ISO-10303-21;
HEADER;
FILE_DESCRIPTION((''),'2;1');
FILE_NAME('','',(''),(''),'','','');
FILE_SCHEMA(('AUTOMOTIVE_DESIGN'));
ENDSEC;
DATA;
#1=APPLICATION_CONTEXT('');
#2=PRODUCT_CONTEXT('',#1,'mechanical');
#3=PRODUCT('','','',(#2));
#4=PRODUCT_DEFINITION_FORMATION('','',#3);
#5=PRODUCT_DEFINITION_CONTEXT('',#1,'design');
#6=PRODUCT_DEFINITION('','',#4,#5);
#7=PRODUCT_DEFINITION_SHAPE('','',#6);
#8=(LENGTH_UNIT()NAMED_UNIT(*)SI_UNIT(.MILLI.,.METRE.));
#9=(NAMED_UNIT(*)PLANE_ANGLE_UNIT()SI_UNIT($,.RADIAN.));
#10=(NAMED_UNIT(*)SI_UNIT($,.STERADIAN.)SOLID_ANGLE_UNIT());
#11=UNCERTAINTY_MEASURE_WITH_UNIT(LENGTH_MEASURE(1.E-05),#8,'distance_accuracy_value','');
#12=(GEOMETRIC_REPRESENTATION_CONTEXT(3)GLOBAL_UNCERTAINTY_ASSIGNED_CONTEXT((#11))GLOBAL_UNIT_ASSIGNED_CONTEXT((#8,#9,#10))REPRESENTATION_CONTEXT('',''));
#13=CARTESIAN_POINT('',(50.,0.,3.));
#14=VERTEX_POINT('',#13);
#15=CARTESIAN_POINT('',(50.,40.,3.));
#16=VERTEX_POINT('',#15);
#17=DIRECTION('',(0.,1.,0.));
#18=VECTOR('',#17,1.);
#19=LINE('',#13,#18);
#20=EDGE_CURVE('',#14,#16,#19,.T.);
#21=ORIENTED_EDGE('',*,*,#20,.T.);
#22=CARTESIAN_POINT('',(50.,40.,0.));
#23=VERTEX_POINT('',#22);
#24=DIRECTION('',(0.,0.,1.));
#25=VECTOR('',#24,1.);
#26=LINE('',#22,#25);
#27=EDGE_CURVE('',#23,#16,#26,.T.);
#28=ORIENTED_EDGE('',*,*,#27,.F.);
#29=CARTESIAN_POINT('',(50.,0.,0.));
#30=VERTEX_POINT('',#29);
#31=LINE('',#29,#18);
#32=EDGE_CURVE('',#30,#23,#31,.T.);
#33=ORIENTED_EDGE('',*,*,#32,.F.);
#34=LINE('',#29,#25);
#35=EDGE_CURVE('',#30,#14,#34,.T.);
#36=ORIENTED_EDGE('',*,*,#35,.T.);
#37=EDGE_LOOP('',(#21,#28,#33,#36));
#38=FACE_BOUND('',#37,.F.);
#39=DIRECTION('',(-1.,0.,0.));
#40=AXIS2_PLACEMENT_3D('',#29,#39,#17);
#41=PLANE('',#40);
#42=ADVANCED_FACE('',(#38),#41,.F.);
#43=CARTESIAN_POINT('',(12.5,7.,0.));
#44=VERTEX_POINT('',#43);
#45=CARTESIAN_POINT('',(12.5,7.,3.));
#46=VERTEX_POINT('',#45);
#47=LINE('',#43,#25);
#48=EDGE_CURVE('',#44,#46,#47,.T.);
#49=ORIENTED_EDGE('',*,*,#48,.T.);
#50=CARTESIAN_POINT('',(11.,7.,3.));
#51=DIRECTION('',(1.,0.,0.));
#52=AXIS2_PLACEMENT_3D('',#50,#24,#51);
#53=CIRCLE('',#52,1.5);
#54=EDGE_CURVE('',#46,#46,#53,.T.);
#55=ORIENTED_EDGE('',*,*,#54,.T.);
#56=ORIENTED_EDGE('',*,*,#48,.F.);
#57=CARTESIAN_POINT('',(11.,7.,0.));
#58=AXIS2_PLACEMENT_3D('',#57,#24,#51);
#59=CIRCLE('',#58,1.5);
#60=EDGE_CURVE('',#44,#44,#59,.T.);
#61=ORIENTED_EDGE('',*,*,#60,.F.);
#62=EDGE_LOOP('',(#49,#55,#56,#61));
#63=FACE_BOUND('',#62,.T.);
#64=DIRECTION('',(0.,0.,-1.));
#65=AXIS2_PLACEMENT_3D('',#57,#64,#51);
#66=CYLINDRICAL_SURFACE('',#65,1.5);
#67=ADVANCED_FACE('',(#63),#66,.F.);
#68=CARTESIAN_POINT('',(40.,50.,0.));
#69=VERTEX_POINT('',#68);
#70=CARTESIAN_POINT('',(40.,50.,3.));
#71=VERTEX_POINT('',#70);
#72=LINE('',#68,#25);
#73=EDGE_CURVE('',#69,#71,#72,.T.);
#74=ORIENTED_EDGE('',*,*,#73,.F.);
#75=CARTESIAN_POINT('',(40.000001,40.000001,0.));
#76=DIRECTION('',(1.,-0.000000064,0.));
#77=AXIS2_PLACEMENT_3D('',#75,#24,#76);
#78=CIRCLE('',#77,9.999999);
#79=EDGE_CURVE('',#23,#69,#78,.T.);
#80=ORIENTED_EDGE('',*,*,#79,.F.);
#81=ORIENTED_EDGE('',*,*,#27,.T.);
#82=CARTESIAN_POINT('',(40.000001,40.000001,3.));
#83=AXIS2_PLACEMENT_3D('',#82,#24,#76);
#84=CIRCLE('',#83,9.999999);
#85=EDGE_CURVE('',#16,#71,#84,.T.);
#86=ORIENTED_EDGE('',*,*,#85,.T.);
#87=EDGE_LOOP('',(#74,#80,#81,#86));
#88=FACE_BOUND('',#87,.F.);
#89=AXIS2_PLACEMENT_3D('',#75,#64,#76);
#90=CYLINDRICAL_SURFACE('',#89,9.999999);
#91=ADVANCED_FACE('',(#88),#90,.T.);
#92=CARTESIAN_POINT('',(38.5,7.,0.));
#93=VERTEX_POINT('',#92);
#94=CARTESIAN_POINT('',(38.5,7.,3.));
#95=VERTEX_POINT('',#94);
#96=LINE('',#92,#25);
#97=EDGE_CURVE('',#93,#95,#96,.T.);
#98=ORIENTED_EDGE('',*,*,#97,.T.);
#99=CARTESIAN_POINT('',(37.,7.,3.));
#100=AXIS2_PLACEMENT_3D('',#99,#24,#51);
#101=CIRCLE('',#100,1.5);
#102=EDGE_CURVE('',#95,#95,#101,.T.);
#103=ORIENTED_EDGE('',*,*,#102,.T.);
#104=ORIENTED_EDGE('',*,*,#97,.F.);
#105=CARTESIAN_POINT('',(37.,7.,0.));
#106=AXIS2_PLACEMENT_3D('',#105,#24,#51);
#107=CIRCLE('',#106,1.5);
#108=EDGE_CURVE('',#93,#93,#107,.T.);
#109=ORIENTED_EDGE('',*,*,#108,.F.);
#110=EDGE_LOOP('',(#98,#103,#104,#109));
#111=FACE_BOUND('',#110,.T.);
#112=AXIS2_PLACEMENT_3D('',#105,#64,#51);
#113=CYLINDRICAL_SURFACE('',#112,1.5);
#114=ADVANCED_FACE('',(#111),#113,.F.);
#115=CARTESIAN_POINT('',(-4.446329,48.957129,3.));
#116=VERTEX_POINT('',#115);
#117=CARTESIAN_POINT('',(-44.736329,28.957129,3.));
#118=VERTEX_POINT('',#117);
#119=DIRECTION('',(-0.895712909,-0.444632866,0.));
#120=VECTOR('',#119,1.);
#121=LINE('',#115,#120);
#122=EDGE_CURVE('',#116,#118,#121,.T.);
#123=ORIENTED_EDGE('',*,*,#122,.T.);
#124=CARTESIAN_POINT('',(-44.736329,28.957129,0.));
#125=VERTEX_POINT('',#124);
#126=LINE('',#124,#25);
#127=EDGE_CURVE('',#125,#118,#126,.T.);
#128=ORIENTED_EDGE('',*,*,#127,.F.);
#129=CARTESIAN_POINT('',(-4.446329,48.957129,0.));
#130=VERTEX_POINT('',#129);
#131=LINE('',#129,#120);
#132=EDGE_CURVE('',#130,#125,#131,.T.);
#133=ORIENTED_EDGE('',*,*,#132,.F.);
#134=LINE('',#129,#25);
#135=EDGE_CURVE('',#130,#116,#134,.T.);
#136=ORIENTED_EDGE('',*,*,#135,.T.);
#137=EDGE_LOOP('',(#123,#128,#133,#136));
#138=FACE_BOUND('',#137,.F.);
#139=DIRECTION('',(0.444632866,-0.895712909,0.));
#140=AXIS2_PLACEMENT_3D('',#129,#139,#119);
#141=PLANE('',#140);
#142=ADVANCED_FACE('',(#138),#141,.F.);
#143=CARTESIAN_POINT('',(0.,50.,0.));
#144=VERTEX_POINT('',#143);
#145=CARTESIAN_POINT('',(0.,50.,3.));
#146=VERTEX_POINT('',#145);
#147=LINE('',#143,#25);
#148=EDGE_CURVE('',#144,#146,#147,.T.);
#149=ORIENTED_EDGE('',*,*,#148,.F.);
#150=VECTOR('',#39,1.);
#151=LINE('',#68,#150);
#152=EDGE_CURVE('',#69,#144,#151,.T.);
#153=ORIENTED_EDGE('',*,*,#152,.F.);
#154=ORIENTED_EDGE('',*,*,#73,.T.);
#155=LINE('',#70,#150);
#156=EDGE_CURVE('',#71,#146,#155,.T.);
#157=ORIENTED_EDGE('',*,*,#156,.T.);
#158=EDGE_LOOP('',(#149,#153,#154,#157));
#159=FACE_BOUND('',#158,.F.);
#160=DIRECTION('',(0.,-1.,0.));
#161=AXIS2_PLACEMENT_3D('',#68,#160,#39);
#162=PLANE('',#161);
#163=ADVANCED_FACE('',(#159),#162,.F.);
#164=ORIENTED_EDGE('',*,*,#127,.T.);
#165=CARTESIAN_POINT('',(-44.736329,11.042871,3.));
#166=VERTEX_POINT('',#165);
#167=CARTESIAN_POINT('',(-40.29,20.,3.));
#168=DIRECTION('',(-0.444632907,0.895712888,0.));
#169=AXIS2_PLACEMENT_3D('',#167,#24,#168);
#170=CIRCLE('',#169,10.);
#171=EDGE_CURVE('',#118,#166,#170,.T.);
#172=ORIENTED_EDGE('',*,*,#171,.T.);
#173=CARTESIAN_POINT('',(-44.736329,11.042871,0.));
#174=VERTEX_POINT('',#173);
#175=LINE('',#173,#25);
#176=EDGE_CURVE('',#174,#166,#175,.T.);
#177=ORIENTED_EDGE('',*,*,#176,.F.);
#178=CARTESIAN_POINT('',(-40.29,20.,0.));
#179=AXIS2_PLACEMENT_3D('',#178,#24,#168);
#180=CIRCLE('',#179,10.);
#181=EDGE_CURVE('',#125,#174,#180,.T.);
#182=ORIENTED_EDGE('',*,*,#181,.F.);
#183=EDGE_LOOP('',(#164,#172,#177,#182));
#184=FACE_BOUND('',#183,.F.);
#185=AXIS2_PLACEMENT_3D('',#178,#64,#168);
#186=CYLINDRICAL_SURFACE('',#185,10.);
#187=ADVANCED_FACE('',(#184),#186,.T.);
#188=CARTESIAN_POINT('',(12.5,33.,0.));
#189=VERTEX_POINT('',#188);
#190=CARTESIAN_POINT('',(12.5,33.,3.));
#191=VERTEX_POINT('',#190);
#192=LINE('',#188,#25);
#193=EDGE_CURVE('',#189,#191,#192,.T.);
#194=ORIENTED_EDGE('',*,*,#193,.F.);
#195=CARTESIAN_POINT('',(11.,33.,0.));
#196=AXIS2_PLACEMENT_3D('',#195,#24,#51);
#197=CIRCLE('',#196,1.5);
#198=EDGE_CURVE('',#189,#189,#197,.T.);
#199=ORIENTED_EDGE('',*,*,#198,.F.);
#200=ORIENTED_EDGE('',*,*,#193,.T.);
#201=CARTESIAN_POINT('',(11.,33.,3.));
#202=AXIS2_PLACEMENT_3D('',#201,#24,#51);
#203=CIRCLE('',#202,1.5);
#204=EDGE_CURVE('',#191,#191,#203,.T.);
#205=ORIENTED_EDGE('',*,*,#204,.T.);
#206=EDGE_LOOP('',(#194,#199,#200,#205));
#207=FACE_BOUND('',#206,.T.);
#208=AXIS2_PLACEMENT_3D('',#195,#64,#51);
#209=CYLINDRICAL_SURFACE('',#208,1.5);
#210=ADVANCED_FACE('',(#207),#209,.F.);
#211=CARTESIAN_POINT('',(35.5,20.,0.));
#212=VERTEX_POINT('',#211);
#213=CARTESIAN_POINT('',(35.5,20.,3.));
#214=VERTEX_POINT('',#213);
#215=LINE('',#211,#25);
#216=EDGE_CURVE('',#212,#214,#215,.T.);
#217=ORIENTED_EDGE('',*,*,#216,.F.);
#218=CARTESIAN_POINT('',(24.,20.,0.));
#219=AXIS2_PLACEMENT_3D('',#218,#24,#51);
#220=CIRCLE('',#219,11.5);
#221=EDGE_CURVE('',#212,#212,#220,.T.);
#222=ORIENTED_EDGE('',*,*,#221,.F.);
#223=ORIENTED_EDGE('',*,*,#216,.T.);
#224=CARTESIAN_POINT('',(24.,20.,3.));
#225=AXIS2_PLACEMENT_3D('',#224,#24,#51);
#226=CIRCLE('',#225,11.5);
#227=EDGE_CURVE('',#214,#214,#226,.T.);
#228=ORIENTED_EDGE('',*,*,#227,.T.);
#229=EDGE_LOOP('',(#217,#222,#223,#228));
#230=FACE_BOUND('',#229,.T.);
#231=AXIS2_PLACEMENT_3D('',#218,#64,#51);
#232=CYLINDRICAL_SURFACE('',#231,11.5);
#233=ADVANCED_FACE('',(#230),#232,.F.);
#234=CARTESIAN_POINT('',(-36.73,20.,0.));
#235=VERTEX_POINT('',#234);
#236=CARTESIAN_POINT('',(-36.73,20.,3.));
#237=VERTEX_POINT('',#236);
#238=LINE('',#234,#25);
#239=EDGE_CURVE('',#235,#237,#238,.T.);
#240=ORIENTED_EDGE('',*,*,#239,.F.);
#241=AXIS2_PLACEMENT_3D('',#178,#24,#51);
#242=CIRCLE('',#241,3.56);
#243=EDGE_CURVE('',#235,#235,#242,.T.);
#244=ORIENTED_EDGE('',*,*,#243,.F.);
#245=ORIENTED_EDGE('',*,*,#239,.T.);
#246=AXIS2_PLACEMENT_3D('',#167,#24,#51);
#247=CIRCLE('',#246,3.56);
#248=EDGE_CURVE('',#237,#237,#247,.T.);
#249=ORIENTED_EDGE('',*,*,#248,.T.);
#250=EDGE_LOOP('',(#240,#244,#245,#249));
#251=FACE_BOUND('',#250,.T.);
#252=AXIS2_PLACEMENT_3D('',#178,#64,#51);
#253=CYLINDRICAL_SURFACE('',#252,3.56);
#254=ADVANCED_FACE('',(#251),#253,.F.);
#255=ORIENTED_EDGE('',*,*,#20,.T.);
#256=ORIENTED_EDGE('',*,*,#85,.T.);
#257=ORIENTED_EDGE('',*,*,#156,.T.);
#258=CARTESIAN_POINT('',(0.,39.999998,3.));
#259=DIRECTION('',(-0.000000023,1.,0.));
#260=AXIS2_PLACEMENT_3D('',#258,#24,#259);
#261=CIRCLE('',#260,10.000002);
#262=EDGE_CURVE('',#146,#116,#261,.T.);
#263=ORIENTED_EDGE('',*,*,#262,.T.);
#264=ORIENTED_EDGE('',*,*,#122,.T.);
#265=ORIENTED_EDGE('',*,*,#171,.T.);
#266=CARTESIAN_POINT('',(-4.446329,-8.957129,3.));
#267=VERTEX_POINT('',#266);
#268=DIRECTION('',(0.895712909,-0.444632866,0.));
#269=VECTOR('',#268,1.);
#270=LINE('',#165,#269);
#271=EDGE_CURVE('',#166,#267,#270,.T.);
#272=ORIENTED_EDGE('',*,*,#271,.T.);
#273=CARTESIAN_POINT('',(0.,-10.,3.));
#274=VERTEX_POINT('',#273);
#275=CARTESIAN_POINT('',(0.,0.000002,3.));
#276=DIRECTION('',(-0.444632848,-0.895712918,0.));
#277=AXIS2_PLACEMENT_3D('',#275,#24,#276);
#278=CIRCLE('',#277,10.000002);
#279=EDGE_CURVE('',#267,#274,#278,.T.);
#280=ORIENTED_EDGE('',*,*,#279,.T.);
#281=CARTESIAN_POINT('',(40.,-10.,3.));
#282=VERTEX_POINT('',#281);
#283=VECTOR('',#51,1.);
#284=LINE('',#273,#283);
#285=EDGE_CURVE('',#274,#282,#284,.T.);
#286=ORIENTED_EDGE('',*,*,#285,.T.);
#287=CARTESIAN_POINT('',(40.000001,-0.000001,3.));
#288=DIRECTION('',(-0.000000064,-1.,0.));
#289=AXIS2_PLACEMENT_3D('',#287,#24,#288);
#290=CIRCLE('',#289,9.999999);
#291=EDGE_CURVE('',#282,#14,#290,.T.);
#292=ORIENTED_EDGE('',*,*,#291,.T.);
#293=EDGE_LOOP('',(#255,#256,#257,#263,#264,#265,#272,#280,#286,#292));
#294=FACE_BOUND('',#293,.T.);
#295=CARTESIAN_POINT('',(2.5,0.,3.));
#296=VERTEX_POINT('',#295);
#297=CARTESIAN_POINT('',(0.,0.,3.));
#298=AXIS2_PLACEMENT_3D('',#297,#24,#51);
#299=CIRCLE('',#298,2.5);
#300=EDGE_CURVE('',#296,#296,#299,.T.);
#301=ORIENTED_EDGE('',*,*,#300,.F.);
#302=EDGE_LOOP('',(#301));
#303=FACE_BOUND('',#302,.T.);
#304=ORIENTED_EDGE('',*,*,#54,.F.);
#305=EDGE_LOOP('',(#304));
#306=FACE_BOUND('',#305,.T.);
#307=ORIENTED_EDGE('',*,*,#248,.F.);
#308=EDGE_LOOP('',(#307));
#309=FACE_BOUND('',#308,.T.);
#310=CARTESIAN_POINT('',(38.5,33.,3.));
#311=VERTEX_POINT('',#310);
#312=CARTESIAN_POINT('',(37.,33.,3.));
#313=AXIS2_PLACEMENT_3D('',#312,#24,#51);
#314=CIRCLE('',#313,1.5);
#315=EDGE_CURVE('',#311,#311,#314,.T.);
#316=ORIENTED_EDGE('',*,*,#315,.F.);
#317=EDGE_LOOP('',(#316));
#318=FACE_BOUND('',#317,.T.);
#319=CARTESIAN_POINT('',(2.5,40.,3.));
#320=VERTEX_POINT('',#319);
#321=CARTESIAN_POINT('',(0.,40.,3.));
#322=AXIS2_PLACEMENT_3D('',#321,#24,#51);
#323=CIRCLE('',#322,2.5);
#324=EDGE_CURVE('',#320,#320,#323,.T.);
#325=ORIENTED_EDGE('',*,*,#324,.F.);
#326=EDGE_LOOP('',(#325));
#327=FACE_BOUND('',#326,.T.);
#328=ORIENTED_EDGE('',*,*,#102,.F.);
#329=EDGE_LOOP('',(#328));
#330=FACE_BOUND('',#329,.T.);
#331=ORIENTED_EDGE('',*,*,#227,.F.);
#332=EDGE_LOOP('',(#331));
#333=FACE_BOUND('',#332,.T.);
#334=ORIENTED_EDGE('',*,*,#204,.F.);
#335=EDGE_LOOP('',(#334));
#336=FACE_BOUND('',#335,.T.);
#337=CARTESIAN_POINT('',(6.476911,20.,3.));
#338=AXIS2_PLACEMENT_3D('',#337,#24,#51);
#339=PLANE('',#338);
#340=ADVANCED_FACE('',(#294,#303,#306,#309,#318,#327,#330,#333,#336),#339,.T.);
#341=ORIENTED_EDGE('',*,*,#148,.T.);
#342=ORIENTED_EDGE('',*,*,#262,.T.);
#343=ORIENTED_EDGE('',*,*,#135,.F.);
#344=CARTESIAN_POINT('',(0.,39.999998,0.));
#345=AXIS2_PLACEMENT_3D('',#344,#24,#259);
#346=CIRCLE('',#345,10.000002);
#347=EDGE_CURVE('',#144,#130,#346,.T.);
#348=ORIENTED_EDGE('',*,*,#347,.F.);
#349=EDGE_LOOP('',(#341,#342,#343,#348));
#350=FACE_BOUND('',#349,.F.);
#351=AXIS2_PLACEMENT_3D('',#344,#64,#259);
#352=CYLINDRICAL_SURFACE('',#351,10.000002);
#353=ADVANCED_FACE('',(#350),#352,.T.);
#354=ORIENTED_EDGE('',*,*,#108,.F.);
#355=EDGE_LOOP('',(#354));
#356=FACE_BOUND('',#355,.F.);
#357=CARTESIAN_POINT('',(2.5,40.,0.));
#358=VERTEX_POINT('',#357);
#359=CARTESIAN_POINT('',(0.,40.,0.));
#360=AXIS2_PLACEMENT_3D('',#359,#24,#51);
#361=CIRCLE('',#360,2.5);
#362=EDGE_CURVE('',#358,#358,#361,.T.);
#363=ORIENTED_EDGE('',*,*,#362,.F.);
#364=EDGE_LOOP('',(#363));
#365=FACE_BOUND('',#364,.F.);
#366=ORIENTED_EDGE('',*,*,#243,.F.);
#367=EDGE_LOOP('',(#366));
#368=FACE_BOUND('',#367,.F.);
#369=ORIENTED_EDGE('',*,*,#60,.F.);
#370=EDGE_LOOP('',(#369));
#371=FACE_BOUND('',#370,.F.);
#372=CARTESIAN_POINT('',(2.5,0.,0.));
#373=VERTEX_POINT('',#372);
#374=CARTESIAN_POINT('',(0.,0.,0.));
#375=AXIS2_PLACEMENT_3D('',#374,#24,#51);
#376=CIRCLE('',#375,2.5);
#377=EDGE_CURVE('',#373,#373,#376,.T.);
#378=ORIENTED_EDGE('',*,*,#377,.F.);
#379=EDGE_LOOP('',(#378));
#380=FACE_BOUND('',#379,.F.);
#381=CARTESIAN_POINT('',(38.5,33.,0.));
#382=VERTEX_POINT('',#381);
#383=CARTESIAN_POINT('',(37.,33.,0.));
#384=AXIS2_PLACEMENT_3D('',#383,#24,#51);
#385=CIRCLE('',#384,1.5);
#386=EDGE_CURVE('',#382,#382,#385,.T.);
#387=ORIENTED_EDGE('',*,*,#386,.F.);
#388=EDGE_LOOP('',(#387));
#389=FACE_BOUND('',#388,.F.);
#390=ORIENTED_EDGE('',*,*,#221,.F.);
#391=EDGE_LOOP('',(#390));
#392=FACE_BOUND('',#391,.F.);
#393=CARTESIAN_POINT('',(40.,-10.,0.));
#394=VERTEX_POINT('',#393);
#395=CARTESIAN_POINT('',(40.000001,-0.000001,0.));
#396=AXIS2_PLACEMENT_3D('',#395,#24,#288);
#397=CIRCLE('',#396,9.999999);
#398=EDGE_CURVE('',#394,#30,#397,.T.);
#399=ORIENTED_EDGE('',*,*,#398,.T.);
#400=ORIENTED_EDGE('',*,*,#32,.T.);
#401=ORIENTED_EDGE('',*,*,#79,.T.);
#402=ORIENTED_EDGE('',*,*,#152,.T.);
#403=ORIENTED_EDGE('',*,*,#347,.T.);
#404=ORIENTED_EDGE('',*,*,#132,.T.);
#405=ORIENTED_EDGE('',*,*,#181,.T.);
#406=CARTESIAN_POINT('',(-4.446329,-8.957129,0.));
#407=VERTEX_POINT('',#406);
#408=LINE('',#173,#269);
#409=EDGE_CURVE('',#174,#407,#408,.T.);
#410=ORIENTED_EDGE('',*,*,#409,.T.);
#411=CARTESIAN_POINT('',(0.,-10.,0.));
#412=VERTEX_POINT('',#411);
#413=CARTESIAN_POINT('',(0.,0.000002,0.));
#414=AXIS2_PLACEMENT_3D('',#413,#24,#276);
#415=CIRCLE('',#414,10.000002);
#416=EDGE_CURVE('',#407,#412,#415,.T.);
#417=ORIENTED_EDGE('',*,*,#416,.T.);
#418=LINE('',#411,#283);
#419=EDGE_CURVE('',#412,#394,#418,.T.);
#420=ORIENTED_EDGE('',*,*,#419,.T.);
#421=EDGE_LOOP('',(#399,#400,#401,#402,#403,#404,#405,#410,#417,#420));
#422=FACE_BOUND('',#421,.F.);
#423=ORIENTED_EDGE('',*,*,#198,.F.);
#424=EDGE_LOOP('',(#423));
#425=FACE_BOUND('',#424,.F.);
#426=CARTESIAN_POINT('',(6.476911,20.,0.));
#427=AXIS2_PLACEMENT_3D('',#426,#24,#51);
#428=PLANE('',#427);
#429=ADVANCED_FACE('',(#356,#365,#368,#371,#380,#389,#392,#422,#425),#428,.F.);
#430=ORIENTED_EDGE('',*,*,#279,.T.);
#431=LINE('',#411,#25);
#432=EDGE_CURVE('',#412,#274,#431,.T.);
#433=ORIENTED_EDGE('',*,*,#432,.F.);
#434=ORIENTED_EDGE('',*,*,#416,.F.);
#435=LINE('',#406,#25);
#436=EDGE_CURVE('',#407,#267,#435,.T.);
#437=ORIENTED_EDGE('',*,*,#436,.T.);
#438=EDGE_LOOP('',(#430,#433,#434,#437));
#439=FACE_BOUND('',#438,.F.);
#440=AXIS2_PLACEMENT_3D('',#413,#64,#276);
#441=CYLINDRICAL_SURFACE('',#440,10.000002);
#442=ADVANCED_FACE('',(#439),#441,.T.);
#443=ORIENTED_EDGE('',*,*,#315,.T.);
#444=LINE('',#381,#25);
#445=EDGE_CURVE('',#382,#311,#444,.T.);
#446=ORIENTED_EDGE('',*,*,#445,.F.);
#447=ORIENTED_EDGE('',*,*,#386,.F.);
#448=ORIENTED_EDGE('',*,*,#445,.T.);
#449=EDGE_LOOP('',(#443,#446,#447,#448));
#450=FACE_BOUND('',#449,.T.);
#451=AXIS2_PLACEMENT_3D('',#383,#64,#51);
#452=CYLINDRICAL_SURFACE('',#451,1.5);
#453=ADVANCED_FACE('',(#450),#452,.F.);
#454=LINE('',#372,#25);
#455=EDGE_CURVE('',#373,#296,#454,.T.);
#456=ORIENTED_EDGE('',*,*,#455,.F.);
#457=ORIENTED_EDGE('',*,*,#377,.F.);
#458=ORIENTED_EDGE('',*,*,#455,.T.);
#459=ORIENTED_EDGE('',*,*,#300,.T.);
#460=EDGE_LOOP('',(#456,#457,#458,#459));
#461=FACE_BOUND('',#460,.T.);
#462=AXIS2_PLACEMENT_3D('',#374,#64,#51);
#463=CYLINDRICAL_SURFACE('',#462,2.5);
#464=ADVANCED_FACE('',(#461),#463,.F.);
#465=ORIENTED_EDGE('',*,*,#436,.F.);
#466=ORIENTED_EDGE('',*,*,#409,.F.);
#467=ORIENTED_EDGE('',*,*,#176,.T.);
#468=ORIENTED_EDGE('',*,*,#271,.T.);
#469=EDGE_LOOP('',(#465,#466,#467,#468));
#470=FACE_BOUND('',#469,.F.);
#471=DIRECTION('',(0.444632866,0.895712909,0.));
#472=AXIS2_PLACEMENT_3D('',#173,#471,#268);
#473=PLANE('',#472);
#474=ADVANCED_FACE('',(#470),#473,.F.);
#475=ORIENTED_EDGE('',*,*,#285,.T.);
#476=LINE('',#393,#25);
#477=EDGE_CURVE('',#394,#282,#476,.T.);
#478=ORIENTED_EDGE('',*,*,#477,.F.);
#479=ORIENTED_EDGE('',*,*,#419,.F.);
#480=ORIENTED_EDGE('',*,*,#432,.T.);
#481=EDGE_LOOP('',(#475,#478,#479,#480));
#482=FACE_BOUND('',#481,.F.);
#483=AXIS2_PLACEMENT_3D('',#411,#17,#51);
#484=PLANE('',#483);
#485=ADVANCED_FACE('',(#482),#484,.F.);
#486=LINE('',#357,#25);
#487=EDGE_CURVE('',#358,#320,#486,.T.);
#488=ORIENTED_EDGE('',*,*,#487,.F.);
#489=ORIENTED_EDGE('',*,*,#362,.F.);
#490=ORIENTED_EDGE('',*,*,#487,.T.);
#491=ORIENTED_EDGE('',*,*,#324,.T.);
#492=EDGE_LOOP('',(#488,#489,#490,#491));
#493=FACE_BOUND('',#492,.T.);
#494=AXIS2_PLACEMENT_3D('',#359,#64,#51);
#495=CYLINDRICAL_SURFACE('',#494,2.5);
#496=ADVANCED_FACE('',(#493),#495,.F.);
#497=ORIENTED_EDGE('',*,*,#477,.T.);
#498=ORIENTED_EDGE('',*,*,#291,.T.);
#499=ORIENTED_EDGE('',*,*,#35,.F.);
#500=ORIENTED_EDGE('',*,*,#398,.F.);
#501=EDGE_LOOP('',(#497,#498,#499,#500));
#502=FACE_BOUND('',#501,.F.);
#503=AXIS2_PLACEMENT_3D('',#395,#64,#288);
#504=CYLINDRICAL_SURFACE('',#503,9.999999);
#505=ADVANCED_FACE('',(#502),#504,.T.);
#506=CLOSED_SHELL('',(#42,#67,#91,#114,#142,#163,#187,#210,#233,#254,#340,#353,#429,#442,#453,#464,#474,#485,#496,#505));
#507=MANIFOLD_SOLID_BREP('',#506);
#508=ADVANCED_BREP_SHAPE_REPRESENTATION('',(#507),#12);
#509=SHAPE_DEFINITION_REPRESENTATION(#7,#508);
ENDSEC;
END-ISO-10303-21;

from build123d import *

# Parameters (mm, degrees)
F0_R     = 2.5
F0_R_2   = 1.5
F0_R_3   = 3.56
F0_R_4   = 11.5
F1_DEPTH = 3


with BuildPart() as f1:
    # F0 (on Top) → F1 (new body)
    with BuildSketch(Plane.XY):
        with BuildLine():
            Line((40, 50), (0, 50))
            ThreePointArc((0, 50), (-2.283496, 49.735792), (-4.446329, 48.957129))
            Line((-4.446329, 48.957129), (-44.736329, 28.957129))
            ThreePointArc((-44.736329, 28.957129), (-50.29, 20), (-44.736329, 11.042871))
            Line((-44.736329, 11.042871), (-4.446329, -8.957129))
            ThreePointArc((-4.446329, -8.957129), (-2.283496, -9.735792), (0, -10))
            Line((0, -10), (40, -10))
            ThreePointArc((40, -10), (47.071068, -7.071068), (50, 0))
            Line((50, 0), (50, 40))
            ThreePointArc((50, 40), (47.071068, 47.071068), (40, 50))
        make_face()
        Circle(F0_R, mode=Mode.SUBTRACT)
        with Locations((11, 7)):
            Circle(F0_R_2, mode=Mode.SUBTRACT)
        with Locations((37, 7)):
            Circle(F0_R_2, mode=Mode.SUBTRACT)
        with Locations((-40.29, 20)):
            Circle(F0_R_3, mode=Mode.SUBTRACT)
        with Locations((24, 20)):
            Circle(F0_R_4, mode=Mode.SUBTRACT)
        with Locations((11, 33)):
            Circle(F0_R_2, mode=Mode.SUBTRACT)
        with Locations((37, 33)):
            Circle(F0_R_2, mode=Mode.SUBTRACT)
        with Locations((0, 40)):
            Circle(F0_R, mode=Mode.SUBTRACT)
    extrude(amount=F1_DEPTH)


solid = f1.part
